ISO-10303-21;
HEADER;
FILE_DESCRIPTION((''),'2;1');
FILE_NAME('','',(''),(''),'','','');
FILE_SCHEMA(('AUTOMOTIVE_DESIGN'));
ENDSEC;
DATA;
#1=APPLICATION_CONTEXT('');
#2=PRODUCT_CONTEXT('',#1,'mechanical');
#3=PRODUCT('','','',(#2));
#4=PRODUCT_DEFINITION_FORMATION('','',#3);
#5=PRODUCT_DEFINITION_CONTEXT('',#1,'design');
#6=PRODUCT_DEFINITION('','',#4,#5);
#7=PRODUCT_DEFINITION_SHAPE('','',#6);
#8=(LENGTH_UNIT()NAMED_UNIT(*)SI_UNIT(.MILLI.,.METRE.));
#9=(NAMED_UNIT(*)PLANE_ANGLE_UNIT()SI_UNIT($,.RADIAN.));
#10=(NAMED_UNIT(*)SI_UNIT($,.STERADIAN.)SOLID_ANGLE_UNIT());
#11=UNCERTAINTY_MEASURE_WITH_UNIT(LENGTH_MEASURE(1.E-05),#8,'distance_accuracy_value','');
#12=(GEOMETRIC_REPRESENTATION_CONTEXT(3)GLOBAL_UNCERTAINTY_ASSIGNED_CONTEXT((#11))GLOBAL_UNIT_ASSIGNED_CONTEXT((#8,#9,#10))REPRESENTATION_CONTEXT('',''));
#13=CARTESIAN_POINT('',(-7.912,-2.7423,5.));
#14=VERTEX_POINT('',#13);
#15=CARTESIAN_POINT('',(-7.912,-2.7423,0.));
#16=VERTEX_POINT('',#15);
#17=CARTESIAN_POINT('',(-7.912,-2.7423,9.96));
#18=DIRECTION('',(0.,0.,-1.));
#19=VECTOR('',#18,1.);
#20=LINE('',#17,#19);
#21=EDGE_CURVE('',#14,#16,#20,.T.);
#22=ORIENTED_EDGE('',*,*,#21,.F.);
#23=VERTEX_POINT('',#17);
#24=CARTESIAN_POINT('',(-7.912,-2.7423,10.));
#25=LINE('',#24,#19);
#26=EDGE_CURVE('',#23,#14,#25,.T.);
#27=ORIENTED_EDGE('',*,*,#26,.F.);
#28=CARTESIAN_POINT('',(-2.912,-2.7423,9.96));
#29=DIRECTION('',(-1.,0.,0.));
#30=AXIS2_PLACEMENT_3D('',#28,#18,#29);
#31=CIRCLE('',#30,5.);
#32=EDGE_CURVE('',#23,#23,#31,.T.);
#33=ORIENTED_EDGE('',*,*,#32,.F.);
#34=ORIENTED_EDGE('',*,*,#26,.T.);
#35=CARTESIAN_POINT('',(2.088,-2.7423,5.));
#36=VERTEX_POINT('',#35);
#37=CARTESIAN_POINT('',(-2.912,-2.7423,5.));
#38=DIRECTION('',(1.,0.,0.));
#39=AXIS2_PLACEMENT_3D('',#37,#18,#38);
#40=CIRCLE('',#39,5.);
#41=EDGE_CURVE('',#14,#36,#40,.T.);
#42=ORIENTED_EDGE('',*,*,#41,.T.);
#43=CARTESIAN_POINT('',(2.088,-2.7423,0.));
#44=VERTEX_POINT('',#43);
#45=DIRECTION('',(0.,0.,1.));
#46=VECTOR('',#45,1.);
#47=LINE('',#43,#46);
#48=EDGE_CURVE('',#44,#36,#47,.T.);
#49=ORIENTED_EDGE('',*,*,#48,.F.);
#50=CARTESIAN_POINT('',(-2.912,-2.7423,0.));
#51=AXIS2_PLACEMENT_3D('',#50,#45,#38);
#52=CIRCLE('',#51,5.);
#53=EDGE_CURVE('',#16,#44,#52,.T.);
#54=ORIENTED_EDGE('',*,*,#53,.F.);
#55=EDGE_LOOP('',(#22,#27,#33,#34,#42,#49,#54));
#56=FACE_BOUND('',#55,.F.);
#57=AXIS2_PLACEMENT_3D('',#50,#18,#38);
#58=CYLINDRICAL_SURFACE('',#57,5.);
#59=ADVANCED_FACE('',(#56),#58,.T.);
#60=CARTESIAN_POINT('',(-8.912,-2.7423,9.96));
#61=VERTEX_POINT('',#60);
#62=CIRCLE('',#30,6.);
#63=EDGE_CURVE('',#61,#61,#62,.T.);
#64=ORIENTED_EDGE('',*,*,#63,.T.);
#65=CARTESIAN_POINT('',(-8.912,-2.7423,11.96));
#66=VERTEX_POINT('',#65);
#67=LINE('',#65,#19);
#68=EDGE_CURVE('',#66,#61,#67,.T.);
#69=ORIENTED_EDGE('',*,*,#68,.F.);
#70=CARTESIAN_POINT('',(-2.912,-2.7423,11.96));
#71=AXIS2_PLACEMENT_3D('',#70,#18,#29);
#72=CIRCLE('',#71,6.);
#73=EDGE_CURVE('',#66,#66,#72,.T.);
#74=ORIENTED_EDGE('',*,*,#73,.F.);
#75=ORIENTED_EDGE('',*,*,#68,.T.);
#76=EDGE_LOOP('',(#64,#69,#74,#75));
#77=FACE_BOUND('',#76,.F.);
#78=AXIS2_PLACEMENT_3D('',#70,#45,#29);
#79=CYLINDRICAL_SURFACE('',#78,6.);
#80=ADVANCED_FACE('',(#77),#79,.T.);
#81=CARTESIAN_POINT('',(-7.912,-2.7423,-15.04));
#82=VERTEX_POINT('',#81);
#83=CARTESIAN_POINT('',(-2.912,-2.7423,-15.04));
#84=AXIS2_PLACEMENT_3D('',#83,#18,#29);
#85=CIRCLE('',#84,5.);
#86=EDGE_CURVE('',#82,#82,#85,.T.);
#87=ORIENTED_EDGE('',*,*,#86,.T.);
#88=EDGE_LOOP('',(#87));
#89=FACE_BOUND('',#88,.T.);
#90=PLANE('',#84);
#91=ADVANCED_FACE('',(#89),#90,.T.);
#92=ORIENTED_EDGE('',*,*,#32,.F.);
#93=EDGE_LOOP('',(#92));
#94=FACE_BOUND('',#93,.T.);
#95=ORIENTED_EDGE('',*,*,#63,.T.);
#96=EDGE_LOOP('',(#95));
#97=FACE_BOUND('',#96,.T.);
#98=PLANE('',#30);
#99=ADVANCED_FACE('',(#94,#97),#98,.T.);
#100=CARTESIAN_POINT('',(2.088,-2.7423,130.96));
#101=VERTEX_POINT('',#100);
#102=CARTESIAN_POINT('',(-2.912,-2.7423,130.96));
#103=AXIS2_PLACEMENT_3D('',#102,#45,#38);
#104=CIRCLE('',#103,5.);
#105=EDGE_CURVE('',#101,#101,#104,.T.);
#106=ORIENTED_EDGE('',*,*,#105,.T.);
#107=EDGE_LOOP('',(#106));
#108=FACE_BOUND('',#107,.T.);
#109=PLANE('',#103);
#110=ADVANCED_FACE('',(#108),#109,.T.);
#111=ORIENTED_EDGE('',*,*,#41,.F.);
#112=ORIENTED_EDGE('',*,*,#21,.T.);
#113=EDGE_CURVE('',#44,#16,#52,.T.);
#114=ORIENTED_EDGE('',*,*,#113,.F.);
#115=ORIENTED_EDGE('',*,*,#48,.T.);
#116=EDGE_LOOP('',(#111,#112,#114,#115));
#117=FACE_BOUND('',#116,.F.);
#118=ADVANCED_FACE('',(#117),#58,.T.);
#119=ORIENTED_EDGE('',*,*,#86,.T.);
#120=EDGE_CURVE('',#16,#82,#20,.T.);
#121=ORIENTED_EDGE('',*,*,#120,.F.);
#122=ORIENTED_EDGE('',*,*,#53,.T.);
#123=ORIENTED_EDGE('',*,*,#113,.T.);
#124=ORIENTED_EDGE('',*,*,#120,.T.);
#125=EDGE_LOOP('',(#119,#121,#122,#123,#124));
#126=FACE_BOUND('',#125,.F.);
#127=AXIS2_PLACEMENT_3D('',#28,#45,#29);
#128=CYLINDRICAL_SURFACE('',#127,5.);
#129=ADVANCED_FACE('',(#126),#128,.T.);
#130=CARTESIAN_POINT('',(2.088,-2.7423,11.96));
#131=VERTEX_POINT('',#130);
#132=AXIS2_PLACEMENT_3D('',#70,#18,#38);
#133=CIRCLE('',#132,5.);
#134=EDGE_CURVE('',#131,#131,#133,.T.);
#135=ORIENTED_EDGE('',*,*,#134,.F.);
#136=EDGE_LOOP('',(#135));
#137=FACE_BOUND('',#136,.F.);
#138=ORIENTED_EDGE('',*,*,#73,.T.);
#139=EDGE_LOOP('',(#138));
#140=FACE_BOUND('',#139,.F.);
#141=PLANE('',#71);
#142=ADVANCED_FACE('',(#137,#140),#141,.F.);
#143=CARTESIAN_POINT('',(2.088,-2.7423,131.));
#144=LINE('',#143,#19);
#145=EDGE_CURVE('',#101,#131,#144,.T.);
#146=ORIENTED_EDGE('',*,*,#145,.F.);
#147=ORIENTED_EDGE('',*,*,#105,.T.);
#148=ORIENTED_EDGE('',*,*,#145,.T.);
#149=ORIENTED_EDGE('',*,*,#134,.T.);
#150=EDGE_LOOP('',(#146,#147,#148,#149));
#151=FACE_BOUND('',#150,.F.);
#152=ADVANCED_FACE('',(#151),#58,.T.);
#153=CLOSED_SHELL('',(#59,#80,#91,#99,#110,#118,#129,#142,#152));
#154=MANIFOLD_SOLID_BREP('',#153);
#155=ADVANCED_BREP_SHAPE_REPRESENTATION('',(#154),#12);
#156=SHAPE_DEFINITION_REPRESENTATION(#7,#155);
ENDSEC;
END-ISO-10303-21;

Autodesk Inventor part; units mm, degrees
ref_plane "YZ Plane" through (0, 0, 0) normal (1, 0, 0) x (0, 1, 0)
sketch "Szkic1" plane through (0, 0, 0) normal (0, 0, 1) x (1, 0, 0)
  circle A0 centre (-2.912, -2.7423) radius 5.3 projected
  circle A1 centre (-2.912, -2.7423) radius 5
  point P0 (0, 0)
  dimension "d0" = 10
extrude "Wyciągnięcie proste1" add sketch "Szkic1" along normal blind 120 contours A1
sketch "Szkic2" plane through (-2.912, -2.7423, 5) normal (0, 0, -1) x (-1, 0, 0)
  circle A0 centre (0, 0) radius 5 projected
  circle A1 centre (0, 0) radius 4.284
  point P0 (-2.912, 2.7423)
ref_plane "Płaszczyzna konstrukcyjna1" through (-12.2191, -12.0493, 11.96) normal (0, 0, -1) x (-0.4239, 0.9057, 0)
extrude "Wyciągnięcie proste2" cut sketch "Szkic2" against normal up to surface (6.96 mm away)
extrude "Wyciągnięcie proste3" cut sketch "Szkic2" against normal blind 5 contours A1
sketch "Szkic3" plane through (-2.912, -2.7423, 10) normal (0, 0, -1) x (-1, 0, 0)
  circle A0 centre (0, 0) radius 4.284 projected
  circle A1 centre (0, 0) radius 4.284 projected
  circle A2 centre (0, 0) radius 5 projected
  point P0 (-2.912, 2.7423)
ref_plane "Płaszczyzna konstrukcyjna2" through (-9.0993, -8.9295, 0) normal (0, 0, 1) x (1, 0, 0)
extrude "Wyciągnięcie proste4" add sketch "Szkic3" along normal up to surface (10 mm away) contours A0 | A2
sketch "Szkic4" plane through (-2.912, -2.7423, 11.96) normal (0, 0, -1) x (-1, 0, 0)
  circle A0 centre (0, 0) radius 5 projected
  circle A1 centre (0, 0) radius 6
  point P0 (-2.912, 2.7423)
  dimension "d15" = 12
extrude "Wyciągnięcie proste5" add sketch "Szkic4" along normal blind 2 contours A0 | A1
sketch "Szkic5" plane through (-2.912, -2.7423, 9.96) normal (0, 0, -1) x (-1, 0, 0)
  circle A0 centre (0, 0) radius 5 projected
  circle A1 centre (0, 0) radius 5 projected
  circle A2 centre (0, 0) radius 5
  point P0 (-2.912, 2.7423)
extrude "Wyciągnięcie proste6" add sketch "Szkic5" along normal blind 25
sketch "Szkic6" plane through (-2.912, -2.7423, 116) normal (0, 0, 1) x (1, 0, 0)
  circle A0 centre (0, 0) radius 5 projected
  point P0 (2.912, 2.7423)
extrude "Wyciągnięcie proste7" add sketch "Szkic6" along normal blind 15
sketch "Szkic7" plane through (-2.912, -2.7423, 131) normal (0, 0, 1) x (1, 0, 0)
  circle A0 centre (0, 0) radius 5 projected
  point P0 (2.912, 2.7423)
extrude "Wyciągnięcie proste8" cut sketch "Szkic7" against normal blind 0.04
properties part number "wał_2"
